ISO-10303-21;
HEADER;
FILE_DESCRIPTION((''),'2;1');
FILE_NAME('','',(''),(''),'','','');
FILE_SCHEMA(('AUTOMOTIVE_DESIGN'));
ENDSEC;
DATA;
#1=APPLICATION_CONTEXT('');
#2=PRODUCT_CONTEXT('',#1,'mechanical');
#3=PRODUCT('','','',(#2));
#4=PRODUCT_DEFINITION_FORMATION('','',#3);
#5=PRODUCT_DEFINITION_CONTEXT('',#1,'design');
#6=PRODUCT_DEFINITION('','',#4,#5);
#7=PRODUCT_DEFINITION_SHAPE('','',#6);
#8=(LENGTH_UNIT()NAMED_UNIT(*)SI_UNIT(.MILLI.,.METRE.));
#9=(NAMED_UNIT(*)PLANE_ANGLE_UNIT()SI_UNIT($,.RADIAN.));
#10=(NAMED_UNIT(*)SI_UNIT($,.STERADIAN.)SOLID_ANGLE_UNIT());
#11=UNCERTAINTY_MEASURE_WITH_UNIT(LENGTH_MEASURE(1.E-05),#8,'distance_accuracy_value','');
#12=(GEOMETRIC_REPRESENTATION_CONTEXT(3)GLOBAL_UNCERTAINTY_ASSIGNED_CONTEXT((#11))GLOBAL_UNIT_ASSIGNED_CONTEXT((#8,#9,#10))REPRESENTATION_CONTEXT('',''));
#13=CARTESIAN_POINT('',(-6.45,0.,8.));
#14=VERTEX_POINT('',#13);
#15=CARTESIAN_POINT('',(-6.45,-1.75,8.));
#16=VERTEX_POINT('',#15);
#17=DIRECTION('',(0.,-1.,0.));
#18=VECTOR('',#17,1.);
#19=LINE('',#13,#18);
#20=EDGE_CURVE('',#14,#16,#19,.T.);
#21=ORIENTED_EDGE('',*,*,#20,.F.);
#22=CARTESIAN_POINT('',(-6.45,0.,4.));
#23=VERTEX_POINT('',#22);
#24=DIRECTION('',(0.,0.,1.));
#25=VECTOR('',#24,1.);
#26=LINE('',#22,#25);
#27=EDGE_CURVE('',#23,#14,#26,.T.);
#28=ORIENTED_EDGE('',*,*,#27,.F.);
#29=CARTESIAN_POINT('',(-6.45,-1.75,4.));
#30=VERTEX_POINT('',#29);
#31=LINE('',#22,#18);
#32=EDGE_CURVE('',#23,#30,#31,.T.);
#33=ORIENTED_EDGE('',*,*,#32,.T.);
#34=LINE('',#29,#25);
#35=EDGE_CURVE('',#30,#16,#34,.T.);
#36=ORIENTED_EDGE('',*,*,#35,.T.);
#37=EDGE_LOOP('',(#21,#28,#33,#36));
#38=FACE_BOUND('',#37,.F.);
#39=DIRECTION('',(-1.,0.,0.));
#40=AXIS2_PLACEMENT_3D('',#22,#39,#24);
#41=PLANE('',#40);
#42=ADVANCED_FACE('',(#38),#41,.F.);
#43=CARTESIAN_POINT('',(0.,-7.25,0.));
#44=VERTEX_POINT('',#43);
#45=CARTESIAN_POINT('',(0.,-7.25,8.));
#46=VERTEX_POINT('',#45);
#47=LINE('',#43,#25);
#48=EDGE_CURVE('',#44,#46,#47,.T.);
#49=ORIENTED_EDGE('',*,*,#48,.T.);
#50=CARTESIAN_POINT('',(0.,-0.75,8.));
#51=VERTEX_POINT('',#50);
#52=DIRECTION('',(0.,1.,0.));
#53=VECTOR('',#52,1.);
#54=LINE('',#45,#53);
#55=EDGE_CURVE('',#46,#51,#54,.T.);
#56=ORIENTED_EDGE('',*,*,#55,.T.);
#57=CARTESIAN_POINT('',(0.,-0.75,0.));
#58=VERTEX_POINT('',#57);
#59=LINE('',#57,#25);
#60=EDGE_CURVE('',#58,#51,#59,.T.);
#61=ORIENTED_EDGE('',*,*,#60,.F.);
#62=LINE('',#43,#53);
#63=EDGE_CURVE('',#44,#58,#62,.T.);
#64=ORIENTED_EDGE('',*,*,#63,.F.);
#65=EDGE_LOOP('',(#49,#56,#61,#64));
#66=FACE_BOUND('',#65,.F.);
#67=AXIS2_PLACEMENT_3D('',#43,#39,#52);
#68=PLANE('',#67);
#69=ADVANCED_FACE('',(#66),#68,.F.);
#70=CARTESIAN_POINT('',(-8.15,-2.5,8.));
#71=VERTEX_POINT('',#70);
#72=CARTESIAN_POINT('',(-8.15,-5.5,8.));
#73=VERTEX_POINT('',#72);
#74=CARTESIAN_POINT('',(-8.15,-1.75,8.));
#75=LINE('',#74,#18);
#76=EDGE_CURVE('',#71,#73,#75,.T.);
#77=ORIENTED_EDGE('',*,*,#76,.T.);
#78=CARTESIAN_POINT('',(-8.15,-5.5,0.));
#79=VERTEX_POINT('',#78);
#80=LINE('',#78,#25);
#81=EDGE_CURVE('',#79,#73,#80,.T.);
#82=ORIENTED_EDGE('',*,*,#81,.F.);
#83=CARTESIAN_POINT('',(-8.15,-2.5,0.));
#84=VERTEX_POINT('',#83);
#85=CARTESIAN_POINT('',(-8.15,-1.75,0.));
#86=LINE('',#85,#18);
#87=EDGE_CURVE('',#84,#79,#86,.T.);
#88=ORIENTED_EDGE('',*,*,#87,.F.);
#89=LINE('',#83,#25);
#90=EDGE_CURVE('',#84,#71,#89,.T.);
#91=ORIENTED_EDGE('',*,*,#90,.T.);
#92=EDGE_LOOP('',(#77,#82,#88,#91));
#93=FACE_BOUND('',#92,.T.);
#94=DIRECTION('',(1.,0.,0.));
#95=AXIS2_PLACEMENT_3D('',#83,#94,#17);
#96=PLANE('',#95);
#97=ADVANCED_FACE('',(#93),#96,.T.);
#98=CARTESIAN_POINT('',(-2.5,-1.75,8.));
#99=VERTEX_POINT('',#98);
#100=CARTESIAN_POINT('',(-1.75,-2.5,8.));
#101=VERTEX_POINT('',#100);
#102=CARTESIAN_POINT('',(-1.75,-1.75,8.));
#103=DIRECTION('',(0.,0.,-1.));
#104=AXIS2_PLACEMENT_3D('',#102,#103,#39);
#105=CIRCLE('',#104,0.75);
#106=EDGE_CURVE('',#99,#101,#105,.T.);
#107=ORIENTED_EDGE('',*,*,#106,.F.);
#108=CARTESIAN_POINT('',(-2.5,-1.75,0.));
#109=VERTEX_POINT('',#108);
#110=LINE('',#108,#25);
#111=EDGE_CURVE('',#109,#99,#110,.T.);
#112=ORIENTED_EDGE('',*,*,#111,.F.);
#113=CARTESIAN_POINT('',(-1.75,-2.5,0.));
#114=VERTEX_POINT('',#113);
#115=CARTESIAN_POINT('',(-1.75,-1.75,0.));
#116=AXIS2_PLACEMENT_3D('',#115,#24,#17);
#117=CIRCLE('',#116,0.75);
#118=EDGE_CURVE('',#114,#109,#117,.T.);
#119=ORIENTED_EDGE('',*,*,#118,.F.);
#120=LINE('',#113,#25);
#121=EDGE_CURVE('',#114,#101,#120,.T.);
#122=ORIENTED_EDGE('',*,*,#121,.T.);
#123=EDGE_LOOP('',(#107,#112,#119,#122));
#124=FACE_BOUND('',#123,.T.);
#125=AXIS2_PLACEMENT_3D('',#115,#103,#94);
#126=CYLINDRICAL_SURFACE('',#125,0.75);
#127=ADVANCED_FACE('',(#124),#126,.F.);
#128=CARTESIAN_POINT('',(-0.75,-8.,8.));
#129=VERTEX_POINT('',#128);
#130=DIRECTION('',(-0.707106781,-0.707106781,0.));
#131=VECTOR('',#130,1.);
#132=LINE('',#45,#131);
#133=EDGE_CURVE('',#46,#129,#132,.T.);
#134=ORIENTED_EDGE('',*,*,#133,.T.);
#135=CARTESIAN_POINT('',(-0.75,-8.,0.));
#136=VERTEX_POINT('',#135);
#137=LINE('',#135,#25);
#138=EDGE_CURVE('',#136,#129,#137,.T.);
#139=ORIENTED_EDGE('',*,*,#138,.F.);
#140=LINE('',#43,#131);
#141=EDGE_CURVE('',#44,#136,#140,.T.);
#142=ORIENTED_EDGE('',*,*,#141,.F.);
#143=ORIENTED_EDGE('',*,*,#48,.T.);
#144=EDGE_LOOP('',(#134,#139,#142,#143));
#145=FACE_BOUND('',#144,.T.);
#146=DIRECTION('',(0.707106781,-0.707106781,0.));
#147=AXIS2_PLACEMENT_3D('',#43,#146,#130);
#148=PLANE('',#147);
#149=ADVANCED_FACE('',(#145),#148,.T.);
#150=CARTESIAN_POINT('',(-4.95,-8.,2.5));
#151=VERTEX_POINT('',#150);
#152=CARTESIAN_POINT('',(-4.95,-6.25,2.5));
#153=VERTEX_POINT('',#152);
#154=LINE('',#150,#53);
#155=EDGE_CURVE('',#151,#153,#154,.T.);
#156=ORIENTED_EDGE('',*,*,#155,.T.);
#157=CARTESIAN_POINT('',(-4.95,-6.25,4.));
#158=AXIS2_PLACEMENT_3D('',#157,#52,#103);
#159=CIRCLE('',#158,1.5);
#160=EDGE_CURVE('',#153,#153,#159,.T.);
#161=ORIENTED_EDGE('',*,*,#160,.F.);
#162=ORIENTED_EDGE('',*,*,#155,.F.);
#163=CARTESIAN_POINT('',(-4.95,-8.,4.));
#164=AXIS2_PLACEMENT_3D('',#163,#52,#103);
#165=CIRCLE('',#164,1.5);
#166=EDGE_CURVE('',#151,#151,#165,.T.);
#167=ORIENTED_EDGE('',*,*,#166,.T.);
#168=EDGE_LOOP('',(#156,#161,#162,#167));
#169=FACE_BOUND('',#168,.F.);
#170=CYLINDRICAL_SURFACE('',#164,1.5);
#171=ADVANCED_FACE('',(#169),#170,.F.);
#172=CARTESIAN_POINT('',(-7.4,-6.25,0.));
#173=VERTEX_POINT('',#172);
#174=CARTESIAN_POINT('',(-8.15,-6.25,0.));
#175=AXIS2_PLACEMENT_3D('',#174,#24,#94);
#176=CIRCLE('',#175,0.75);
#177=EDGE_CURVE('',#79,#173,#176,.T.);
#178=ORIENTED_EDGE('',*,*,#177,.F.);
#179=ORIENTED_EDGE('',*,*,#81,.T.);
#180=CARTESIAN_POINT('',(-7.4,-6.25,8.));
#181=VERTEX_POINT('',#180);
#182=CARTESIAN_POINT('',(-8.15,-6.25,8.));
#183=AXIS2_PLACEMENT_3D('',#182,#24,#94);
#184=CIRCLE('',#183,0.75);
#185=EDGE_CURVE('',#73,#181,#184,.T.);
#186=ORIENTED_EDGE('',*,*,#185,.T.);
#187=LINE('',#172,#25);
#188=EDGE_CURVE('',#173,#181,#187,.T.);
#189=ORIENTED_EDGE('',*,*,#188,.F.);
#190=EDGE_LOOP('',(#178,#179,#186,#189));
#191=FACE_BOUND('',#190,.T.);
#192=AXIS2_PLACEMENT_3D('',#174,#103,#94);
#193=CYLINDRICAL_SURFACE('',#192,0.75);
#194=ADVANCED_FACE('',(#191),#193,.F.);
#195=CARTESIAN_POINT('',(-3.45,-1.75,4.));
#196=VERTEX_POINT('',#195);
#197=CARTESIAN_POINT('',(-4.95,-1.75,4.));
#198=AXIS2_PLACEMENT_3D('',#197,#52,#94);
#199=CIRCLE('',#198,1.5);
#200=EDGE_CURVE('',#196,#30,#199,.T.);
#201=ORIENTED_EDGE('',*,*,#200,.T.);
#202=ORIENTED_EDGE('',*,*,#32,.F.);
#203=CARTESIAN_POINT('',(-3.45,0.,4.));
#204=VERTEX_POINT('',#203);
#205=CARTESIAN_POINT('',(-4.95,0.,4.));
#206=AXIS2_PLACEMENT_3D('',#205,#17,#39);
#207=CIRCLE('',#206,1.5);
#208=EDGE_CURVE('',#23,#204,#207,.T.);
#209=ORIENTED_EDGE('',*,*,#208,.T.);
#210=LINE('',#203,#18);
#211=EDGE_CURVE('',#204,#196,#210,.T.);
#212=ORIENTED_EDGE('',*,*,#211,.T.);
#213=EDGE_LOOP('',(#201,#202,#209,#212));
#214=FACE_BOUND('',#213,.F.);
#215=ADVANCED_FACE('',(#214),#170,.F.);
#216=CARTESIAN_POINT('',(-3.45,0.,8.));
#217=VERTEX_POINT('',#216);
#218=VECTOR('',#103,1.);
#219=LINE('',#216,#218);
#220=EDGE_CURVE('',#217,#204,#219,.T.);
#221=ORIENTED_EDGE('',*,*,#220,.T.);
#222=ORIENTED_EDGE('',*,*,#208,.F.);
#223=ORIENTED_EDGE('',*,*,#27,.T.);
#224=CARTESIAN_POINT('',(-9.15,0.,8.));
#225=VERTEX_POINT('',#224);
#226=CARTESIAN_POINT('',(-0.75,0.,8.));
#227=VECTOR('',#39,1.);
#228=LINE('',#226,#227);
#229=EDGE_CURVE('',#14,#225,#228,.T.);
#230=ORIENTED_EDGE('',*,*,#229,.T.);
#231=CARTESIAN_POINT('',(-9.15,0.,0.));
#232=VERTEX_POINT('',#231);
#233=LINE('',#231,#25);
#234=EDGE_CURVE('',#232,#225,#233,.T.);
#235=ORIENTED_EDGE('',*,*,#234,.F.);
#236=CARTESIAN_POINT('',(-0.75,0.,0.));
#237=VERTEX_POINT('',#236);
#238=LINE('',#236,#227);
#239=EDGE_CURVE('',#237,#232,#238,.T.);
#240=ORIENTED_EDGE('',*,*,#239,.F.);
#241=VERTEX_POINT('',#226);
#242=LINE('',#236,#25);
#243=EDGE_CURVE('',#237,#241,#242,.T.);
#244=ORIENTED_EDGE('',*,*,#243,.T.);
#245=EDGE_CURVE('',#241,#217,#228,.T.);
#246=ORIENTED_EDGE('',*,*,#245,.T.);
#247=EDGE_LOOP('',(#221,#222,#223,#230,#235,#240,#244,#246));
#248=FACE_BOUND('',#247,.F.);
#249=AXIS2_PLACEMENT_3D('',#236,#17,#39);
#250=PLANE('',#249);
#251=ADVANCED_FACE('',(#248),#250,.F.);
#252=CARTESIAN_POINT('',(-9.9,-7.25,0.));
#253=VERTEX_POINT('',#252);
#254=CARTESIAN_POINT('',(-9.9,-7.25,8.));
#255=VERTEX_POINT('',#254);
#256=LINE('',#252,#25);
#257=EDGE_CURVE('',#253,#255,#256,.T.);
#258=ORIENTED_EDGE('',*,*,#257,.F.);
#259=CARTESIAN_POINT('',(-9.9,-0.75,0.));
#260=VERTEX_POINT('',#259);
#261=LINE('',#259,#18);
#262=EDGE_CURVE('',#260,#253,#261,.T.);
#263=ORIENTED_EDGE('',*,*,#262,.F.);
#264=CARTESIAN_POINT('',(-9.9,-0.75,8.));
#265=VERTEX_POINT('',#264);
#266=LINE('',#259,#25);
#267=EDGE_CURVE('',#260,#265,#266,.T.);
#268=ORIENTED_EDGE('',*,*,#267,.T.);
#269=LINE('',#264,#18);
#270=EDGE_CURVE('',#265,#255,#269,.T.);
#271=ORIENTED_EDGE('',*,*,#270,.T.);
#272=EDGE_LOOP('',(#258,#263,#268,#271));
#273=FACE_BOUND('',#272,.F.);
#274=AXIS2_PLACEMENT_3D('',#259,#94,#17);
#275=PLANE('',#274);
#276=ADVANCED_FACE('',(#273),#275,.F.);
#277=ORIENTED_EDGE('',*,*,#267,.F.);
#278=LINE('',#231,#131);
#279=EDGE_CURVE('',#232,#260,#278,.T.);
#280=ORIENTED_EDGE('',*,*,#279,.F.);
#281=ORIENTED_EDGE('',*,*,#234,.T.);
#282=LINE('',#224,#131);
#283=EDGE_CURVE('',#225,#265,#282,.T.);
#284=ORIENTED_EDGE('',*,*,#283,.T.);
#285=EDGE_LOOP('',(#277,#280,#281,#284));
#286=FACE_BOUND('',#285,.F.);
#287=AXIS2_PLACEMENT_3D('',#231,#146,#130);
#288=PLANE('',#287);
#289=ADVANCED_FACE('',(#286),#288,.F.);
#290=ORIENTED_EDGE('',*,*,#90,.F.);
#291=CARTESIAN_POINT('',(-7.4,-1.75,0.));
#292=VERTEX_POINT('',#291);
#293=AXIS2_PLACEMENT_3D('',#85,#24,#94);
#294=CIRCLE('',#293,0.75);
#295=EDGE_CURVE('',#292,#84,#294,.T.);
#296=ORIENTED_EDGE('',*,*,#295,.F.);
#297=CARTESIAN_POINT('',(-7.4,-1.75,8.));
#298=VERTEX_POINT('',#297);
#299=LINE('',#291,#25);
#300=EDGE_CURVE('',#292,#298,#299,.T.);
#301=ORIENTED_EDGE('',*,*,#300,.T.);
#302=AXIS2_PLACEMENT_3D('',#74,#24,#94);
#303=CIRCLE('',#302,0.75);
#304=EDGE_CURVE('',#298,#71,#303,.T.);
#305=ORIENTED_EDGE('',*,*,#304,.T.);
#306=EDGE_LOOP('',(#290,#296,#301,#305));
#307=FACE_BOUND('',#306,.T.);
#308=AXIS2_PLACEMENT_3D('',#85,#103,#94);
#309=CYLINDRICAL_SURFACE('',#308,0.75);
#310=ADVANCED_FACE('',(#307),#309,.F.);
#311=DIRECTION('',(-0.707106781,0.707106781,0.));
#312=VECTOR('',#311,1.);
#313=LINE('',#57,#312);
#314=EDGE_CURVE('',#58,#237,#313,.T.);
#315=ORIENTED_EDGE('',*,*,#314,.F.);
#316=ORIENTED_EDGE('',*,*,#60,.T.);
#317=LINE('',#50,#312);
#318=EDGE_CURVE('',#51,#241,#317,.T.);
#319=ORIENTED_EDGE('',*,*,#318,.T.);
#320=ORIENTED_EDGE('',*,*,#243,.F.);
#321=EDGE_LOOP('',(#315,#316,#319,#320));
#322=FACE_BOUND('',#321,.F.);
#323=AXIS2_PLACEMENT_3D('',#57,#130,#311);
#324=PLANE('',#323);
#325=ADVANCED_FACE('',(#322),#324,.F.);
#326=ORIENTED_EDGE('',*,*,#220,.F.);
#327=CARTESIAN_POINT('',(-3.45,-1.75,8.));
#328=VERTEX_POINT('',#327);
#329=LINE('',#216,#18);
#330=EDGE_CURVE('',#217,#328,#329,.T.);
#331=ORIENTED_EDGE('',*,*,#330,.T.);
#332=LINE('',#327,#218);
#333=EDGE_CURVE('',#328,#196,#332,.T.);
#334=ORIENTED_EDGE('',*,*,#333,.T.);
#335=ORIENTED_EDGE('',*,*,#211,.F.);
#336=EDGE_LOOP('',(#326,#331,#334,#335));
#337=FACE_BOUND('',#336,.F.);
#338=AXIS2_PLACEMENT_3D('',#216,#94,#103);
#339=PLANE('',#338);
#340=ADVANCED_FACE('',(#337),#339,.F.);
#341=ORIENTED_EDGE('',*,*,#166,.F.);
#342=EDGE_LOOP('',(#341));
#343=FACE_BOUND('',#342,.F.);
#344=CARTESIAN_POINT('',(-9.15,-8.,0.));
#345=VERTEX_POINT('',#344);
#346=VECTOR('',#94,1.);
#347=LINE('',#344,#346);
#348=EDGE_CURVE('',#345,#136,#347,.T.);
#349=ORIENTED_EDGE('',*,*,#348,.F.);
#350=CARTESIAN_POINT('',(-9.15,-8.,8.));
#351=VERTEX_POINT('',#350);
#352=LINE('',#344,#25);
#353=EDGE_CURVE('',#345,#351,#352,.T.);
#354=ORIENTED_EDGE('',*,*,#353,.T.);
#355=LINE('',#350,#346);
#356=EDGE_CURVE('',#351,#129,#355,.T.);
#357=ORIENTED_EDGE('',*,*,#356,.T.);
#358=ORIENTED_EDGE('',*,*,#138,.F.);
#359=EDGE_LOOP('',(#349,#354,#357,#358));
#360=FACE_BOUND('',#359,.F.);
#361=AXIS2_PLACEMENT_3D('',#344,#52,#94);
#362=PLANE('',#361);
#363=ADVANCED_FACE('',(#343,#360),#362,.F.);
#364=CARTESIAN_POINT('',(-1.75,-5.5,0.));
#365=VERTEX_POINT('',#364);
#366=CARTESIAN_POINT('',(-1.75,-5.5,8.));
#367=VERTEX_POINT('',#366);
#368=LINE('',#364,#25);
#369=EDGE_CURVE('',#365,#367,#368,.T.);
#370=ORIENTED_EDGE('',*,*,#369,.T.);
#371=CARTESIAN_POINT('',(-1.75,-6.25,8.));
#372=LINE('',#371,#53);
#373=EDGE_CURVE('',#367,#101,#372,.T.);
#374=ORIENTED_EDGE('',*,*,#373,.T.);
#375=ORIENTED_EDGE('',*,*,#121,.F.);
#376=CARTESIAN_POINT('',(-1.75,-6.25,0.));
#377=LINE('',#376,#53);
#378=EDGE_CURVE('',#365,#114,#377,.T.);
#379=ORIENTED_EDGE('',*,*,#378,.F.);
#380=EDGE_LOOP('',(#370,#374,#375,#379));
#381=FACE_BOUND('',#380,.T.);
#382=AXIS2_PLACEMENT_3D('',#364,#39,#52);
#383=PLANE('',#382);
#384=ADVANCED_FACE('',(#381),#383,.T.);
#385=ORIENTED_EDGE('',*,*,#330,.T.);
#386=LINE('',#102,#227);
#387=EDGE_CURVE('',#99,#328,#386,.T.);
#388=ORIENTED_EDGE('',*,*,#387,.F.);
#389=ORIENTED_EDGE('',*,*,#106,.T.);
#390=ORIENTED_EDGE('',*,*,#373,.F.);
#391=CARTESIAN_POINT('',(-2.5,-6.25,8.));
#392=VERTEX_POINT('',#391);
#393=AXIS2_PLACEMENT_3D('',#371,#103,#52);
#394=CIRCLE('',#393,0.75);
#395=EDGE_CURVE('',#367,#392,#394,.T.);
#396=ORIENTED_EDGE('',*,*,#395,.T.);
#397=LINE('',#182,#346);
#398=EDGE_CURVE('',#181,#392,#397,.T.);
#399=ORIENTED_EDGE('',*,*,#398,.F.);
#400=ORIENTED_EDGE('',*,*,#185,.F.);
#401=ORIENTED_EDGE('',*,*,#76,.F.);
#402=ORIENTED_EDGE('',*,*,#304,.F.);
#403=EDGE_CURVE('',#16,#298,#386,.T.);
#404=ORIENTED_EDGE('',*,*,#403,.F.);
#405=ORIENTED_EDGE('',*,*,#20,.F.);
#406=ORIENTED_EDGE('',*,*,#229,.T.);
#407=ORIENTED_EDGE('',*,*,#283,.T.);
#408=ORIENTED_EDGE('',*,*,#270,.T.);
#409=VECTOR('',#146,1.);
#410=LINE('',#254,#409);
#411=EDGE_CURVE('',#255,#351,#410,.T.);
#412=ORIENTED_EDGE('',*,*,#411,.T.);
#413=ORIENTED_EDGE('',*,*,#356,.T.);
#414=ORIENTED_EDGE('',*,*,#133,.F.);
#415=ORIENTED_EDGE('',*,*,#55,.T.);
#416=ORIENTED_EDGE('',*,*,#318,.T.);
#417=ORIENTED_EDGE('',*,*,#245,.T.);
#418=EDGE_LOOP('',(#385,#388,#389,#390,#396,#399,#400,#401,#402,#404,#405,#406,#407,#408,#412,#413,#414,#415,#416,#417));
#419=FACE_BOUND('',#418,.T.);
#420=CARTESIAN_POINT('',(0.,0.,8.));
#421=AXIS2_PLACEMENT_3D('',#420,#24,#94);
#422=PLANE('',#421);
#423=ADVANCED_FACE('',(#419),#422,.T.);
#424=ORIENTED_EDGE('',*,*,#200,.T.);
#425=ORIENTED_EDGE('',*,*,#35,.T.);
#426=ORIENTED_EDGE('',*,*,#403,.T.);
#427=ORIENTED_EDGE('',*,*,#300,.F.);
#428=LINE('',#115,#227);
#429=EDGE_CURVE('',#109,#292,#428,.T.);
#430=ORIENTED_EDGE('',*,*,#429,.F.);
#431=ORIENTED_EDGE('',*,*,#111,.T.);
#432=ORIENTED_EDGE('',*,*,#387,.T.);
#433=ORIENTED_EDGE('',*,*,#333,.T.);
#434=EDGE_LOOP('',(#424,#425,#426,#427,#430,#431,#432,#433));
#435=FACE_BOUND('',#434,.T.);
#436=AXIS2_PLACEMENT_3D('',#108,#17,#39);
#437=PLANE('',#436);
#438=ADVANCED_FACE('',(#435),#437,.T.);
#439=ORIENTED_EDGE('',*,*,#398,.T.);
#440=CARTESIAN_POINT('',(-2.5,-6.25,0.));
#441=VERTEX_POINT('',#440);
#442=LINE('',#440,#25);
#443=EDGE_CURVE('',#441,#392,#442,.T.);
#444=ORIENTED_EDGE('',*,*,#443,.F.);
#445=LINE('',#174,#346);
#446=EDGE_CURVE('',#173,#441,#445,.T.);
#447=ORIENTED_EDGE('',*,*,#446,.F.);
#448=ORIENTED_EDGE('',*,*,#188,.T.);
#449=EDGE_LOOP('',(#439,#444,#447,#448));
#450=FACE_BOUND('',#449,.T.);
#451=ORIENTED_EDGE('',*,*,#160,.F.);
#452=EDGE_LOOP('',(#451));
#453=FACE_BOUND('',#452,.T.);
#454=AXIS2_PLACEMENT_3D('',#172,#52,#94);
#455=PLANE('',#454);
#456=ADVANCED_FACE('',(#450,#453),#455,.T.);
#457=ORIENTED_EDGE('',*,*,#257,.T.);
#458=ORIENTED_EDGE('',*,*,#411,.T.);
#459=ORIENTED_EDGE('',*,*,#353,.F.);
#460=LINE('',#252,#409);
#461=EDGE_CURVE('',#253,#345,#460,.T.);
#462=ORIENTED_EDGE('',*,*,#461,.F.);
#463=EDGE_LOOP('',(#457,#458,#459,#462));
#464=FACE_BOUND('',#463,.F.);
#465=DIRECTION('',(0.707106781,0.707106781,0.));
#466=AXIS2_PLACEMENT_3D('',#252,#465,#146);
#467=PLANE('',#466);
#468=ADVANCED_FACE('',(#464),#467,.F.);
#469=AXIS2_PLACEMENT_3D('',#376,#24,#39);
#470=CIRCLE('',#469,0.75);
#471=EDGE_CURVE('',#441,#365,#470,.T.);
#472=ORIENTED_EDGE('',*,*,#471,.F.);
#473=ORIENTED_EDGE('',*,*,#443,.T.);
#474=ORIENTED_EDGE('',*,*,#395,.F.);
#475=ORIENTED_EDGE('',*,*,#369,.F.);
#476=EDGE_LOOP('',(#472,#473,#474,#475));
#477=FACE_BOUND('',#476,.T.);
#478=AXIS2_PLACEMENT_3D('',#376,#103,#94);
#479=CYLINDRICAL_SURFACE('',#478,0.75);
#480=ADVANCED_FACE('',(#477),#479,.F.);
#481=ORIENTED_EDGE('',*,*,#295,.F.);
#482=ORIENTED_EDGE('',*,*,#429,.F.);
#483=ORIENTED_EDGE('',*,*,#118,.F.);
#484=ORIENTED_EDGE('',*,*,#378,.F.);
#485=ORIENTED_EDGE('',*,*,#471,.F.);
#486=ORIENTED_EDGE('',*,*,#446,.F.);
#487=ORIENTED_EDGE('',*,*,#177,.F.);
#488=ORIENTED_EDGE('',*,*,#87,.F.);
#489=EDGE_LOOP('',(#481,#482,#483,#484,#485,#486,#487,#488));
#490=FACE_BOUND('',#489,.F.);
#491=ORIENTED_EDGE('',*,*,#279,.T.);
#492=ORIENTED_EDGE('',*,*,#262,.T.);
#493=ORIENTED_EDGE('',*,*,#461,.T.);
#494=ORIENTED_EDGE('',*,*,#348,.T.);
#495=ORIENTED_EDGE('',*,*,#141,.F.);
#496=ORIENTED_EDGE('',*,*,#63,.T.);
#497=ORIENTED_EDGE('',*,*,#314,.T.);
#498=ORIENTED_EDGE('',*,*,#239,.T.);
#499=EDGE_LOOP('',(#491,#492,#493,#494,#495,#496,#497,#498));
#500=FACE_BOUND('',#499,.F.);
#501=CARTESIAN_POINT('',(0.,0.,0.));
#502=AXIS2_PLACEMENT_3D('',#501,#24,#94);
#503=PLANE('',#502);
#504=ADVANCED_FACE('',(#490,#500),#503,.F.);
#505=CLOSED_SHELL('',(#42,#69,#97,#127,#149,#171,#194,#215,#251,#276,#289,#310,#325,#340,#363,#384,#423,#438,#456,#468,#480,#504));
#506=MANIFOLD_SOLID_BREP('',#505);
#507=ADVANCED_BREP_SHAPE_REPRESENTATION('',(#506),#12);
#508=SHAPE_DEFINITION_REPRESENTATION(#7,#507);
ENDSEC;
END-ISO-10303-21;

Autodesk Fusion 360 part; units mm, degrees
sketch "Sketch1" plane through (0, 0, 0) normal (0, 0, 1) x (1, 0, 0) in component "Prusa Expansion Joint"
  line L0 (-9.15, -8) -> (-0.75, -8)
  line L1 (0, -7.25) -> (0, -0.75)
  line L2 (-0.75, 0) -> (-9.15, 0)
  line L3 (-9.9, -0.75) -> (-9.9, -7.25)
  line L4 (-8.15, -6.25) -> (-1.75, -6.25)
  line L5 (-1.75, -6.25) -> (-1.75, -1.75)
  line L6 (-1.75, -1.75) -> (-8.15, -1.75)
  line L7 (-8.15, -1.75) -> (-8.15, -6.25)
  circle A0 centre (-1.75, -1.75) radius 0.75
  circle A1 centre (-8.15, -6.25) radius 0.75
  circle A2 centre (-8.15, -1.75) radius 0.75
  circle A3 centre (-1.75, -6.25) radius 0.75
  line L8 (-9.15, 0) -> (-9.9, -0.75)
  line L9 (-9.9, -7.25) -> (-9.15, -8)
  line L10 (0, -7.25) -> (-0.75, -8)
  line L11 (0, -0.75) -> (-0.75, 0)
  line L12 (0, -0.75) -> (0, 0) construction
  line L13 (0, 0) -> (-0.75, 0) construction
  dimension "d4" = 1.5
  dimension "d5" = 1.5
  dimension "d6" = 1.5
  dimension "d7" = 1.5
  dimension "d15" = 1.75
  dimension "d16" = 1.75
  dimension "d17" = 1.75
  dimension "d18" = 1.75
  dimension "d26" = 135
  dimension "d27" = 135
  dimension "d30" = 8
  dimension "d31" = 9.9
  dimension "d32" = 0.75
extrude "Extrude1" add sketch "Sketch1" along normal blind 8 in component "Prusa Expansion Joint"
hole "Hole1" at (-4.95, -8, 4) direction (0, 1, 0) diameter 3 depth 8 tip angle 180 in component "Prusa Expansion Joint"
sketch "Sketch2" plane through (0, 0, 0) normal (0, 1, 0) x (1, 0, 0) in component "Prusa Expansion Joint"
  line L0 (-3.45, -4) -> (-6.45, -4)
  line L1 (-6.45, -4) -> (-6.45, -8)
  line L2 (-6.45, -8) -> (-3.45, -8)
  line L3 (-3.45, -8) -> (-3.45, -4)
  dimension "d33" = 3
  dimension "d34" = 4
  dimension "d35" = 4
  dimension "d36" = 3.45
extrude "Extrude2" cut sketch "Sketch2" against normal blind 1.75 in component "Prusa Expansion Joint"
component "Prusa Expansion Joint" placed x (1, 0, 0) y (0, 1, 0) z (0, 0, 1) at (0, 0, 0)
equation "d4 = ( 0.75 * 2 ) * 1 mm"
equation "d25 = ( 9.9 / 2 ) * 1 mm"
equation "d26 = 45 deg + 45 deg + 45 deg"
equation "d36 = ( ( 9.9 / 2 ) * 1 mm ) - 1.5 mm"
